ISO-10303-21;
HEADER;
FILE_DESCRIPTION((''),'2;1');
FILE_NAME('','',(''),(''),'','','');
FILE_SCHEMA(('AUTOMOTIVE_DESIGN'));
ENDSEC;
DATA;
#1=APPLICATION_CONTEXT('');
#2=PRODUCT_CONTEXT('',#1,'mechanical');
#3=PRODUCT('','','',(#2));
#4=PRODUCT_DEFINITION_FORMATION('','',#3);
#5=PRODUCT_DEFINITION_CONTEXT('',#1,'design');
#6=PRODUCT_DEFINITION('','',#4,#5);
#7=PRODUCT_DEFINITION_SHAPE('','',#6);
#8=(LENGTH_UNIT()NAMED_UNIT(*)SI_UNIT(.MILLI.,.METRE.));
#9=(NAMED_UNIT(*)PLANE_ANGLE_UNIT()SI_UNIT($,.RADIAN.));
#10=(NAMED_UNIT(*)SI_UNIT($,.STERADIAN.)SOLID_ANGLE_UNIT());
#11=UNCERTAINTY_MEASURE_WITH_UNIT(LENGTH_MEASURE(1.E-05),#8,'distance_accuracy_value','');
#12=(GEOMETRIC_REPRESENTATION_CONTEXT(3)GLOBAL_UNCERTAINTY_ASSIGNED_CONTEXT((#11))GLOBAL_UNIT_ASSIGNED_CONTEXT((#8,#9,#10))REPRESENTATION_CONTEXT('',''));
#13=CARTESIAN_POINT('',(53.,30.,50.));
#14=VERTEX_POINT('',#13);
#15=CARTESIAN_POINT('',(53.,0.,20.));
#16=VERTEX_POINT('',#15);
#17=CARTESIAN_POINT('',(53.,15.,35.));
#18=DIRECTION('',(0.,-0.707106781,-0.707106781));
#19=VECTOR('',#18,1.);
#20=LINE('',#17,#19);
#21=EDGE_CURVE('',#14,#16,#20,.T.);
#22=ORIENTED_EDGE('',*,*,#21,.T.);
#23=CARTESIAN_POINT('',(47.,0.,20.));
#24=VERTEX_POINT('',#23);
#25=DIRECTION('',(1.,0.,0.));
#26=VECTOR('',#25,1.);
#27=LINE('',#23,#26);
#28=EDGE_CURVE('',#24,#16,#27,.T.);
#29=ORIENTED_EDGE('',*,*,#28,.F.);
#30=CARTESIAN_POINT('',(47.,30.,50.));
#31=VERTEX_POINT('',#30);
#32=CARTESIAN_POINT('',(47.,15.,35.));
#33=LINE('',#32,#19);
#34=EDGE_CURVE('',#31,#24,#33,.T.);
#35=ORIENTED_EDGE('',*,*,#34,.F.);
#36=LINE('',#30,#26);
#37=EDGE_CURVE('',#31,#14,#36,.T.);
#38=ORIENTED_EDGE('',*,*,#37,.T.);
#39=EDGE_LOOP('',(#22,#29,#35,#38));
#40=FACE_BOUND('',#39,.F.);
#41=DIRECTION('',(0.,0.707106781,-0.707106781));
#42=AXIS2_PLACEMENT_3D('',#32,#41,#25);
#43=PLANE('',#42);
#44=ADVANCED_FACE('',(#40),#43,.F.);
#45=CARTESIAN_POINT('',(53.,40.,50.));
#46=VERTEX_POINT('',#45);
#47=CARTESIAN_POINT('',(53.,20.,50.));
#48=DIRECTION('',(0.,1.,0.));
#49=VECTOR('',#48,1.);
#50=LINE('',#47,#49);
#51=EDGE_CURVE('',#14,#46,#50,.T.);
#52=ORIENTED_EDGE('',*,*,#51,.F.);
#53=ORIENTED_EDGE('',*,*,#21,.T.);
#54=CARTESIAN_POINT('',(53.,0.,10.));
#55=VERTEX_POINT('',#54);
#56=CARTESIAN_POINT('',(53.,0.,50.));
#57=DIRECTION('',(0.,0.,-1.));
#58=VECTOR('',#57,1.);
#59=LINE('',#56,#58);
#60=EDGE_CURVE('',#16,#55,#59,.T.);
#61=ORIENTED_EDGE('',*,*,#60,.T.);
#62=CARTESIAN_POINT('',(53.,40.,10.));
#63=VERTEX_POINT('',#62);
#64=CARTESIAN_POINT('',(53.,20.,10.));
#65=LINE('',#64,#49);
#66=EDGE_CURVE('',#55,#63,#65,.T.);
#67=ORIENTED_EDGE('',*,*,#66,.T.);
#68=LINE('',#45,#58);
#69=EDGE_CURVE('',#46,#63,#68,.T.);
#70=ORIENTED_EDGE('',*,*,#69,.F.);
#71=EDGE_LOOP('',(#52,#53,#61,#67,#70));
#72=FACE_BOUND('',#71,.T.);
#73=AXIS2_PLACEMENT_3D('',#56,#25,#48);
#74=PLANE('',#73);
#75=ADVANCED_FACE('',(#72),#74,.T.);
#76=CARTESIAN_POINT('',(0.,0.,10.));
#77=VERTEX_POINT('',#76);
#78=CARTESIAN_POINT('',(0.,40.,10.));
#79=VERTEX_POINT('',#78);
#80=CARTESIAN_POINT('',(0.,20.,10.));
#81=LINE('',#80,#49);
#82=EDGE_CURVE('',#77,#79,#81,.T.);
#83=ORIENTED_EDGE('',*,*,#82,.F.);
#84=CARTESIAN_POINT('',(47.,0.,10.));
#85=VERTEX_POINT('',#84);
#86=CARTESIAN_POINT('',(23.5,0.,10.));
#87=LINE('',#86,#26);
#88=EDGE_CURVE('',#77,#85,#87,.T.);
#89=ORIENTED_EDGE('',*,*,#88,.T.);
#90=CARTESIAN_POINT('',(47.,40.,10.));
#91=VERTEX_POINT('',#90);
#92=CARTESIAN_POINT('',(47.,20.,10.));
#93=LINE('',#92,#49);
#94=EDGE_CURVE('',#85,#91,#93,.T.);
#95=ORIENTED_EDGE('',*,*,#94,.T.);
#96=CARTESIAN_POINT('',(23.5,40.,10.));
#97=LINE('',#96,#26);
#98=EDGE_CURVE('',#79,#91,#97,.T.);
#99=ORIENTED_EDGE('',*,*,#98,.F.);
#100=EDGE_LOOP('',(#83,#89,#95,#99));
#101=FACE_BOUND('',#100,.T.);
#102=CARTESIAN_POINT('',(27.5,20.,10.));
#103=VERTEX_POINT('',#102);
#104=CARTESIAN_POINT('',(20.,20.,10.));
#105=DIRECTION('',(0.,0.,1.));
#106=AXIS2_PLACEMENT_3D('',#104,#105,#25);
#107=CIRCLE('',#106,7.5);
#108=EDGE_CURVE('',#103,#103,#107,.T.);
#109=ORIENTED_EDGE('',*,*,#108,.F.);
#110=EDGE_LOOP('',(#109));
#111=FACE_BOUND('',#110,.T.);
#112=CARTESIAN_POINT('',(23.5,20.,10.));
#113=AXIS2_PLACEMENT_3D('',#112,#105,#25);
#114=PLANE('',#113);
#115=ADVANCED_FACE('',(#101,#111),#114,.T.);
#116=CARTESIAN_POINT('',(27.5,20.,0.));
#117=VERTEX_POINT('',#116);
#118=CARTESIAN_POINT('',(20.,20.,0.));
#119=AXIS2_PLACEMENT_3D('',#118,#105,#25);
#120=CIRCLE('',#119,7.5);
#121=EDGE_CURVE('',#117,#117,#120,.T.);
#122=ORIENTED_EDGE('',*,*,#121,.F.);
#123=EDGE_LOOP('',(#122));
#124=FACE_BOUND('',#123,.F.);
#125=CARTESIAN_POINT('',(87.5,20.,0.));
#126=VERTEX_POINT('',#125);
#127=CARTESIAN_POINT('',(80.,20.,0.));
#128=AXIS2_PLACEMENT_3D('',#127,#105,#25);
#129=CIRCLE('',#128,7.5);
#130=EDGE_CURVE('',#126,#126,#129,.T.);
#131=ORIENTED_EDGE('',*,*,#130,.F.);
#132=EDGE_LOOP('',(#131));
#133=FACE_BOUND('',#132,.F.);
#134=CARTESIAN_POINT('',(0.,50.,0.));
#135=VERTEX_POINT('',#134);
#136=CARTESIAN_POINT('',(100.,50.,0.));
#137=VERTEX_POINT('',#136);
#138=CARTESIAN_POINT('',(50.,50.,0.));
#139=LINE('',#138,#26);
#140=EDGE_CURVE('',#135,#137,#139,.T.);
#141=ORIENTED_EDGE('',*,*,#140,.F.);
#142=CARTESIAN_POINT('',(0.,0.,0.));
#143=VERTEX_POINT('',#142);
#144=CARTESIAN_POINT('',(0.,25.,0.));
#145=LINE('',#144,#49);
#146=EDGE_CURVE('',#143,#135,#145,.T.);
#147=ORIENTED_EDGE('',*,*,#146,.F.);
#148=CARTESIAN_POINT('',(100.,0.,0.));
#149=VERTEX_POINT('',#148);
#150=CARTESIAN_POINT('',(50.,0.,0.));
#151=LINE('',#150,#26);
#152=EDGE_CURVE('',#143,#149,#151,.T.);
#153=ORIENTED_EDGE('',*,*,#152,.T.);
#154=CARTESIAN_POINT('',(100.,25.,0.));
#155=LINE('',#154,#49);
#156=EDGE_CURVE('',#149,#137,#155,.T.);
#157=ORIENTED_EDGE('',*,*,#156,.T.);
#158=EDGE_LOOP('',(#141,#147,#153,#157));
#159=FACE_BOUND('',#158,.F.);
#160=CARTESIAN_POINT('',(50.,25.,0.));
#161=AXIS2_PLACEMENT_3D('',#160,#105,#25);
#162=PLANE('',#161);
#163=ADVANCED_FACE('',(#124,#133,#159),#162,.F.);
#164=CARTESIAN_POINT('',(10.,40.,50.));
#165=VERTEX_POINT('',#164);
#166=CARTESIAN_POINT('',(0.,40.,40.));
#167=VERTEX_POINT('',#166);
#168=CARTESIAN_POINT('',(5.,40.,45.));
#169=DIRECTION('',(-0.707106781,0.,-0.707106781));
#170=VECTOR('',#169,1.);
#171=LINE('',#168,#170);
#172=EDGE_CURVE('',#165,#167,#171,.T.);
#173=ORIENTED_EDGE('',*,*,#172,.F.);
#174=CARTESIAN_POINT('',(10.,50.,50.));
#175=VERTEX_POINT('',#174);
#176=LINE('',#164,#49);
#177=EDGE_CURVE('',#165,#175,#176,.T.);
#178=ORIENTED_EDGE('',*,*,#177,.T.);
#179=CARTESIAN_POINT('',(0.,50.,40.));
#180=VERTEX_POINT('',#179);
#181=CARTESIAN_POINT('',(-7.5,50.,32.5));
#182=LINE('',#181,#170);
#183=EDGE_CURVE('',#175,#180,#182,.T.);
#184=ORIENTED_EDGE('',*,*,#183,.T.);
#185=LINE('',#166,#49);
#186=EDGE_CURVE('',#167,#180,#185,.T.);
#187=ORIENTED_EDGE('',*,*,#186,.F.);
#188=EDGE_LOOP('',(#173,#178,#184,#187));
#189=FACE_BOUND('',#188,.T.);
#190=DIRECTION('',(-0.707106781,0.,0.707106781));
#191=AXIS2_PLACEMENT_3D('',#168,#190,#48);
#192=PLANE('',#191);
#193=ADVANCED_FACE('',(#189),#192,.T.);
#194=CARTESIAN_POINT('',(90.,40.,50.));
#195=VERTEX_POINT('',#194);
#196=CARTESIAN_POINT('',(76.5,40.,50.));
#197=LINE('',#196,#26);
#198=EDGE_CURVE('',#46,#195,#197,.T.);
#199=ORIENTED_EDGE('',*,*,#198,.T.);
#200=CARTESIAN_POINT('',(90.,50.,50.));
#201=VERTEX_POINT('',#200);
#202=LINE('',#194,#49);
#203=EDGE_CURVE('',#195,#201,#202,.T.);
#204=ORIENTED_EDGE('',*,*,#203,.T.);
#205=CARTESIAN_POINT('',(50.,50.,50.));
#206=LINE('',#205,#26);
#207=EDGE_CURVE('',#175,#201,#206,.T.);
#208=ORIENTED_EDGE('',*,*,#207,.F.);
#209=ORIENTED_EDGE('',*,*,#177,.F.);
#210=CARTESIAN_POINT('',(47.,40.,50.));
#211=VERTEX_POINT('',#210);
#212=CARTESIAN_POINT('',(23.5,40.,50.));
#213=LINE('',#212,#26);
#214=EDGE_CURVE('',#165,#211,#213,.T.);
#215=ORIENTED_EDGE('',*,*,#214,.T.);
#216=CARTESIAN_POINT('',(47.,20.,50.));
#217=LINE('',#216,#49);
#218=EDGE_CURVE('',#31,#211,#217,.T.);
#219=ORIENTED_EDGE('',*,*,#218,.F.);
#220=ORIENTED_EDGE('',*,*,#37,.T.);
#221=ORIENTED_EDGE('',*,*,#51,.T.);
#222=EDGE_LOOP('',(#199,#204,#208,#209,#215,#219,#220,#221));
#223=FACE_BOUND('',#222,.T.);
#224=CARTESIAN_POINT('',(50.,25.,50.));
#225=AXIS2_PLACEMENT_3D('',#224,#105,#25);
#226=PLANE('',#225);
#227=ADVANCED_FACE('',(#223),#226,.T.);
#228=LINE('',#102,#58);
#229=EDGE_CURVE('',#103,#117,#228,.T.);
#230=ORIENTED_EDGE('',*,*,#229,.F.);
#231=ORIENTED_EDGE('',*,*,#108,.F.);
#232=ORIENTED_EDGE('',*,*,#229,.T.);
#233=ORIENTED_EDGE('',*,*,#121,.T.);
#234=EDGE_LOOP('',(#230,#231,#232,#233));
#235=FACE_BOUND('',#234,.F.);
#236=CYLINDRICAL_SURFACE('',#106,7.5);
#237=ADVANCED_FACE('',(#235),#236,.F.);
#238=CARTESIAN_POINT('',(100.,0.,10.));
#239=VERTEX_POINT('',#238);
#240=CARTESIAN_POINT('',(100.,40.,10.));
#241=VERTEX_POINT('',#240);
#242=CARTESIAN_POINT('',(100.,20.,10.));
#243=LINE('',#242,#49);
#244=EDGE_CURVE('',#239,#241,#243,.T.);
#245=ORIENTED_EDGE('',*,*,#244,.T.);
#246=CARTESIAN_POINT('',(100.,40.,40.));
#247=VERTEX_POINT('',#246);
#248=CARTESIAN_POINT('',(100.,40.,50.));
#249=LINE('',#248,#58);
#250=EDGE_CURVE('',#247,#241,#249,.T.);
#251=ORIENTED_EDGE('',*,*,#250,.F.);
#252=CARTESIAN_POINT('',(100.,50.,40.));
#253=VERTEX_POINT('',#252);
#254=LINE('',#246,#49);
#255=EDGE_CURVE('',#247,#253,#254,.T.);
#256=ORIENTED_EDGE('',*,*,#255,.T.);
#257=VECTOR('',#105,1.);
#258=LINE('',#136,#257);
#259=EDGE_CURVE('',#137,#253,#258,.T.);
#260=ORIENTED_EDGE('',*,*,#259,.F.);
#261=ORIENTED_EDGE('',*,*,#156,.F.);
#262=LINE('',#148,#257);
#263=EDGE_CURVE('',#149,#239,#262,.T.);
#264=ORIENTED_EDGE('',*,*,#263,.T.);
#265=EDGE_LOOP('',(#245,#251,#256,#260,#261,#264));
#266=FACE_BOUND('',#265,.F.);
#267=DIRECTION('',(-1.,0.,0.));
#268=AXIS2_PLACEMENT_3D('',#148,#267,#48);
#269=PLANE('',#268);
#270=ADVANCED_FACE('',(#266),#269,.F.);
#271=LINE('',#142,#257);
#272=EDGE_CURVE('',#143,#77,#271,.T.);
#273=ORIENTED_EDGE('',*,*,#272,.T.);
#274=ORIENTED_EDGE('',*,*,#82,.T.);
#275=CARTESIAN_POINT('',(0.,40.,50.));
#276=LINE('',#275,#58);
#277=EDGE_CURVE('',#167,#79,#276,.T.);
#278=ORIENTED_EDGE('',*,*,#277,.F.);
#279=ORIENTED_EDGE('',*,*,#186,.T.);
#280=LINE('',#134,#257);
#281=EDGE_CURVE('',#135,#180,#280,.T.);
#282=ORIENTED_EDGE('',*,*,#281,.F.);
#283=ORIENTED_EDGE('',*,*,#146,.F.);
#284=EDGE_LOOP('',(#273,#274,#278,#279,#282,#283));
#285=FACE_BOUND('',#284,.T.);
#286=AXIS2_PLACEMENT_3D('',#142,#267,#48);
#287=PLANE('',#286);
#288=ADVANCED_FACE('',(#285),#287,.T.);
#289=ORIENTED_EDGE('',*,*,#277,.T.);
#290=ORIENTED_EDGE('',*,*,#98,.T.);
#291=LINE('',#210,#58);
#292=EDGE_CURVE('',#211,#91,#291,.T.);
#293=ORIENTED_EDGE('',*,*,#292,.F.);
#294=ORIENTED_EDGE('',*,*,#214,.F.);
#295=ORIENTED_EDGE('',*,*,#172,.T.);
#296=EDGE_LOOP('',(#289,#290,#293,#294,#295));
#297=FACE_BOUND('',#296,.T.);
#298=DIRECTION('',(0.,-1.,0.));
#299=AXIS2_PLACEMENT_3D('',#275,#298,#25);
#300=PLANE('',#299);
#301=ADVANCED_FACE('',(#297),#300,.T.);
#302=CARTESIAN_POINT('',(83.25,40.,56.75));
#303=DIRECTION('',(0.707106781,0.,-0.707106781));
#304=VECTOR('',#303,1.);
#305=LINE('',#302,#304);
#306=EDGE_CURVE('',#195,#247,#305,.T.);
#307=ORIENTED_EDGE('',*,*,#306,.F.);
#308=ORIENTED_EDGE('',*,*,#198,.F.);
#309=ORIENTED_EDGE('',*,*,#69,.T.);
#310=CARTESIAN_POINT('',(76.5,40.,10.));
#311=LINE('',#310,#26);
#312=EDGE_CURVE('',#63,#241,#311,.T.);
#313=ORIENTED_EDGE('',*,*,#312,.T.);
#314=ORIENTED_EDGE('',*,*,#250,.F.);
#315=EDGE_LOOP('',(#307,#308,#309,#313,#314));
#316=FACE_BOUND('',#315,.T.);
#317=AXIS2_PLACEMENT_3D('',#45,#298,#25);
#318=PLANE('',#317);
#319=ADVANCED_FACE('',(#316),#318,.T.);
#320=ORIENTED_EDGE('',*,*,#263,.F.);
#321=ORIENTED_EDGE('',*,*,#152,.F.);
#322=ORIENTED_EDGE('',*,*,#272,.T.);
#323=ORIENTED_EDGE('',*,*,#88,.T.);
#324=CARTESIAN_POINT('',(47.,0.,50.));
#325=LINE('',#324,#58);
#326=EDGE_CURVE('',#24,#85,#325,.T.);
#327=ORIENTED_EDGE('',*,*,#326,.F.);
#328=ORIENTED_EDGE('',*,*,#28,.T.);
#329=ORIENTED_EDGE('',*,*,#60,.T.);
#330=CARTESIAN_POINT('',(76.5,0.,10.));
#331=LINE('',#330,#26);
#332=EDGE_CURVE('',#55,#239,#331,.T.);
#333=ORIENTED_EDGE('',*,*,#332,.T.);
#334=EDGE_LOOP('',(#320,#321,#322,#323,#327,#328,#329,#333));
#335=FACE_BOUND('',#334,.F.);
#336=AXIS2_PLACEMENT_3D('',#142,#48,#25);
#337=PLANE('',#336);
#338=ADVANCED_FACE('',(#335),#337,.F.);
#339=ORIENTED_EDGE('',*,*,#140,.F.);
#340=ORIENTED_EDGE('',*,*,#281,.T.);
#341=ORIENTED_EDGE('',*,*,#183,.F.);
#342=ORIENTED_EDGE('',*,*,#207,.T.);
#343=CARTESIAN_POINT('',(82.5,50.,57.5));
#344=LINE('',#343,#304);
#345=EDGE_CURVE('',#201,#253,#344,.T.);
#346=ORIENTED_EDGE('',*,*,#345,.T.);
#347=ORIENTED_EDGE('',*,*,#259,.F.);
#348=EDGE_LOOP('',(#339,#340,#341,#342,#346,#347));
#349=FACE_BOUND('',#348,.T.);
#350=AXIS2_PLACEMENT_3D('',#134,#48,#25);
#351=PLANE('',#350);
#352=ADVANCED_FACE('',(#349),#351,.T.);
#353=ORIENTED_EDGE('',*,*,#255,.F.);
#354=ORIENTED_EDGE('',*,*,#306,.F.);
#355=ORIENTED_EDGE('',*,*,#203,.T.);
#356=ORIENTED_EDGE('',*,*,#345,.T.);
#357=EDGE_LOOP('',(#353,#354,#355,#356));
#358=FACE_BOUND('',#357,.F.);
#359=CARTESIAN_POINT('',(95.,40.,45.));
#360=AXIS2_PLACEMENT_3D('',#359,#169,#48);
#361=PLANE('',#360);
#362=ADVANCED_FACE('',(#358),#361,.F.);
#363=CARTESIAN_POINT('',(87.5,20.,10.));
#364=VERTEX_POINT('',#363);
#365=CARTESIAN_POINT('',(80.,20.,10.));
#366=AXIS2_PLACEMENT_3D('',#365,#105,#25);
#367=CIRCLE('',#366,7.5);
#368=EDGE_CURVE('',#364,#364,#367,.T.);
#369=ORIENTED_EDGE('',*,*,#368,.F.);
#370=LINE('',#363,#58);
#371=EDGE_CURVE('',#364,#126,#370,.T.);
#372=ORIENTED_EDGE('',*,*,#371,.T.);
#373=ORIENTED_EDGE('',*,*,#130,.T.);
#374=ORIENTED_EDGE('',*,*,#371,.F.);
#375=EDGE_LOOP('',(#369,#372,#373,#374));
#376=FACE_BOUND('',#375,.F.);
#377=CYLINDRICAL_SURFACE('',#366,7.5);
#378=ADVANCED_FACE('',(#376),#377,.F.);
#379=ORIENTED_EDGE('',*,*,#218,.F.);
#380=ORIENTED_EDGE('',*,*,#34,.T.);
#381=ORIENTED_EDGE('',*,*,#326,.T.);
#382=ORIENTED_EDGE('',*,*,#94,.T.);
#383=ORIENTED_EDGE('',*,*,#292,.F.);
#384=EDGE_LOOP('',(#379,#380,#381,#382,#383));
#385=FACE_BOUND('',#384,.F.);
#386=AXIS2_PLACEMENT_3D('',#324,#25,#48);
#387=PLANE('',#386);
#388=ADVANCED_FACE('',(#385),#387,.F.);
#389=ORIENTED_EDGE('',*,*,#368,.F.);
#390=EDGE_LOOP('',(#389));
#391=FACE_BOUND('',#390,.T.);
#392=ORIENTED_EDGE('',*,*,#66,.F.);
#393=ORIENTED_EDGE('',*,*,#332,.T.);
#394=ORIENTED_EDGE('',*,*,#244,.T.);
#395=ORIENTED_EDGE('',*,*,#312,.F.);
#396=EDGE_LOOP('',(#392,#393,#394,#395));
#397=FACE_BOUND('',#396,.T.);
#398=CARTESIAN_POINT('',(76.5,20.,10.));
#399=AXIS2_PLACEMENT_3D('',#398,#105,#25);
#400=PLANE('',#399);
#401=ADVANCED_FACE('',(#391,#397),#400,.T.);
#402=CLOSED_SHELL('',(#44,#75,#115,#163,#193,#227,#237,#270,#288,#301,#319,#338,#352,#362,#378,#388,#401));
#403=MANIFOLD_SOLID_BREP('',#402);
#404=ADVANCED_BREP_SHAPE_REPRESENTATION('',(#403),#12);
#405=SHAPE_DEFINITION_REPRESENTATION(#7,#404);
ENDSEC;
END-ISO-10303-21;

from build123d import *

# Parameters (mm, degrees)
F0_W      = 100
F0_H      = 50
F1_DEPTH  = 50
F2_W      = 47
F2_H      = 40
F3_DEPTH  = 40
F4_W      = 47
F4_H      = 40
F5_DEPTH  = 40
F6_SIZE   = 30
F7_R      = 7.5
F8_DEPTH  = 10
F9_R      = 7.5
F10_DEPTH = 10
F11_SIZE  = 10


with BuildPart() as f1:
    # F0 (on Top) → F1 (new body)
    with BuildSketch(Plane.XY):
        with Locations((50, 25)):
            Rectangle(F0_W, F0_H)
    extrude(amount=F1_DEPTH)

    # F2 (on face) → F3 (cut)
    with BuildSketch(Plane.XY.offset(50)):
        with Locations((23.5, 20)):
            Rectangle(F2_W, F2_H)
    extrude(amount=-F3_DEPTH, mode=Mode.SUBTRACT)

    # F4 (on face) → F5 (cut)
    with BuildSketch(Plane.XY.offset(50)):
        with Locations((76.5, 20)):
            Rectangle(F4_W, F4_H)
    extrude(amount=-F5_DEPTH, mode=Mode.SUBTRACT)

    # F6
    f6_edges = [f1.edges().sort_by_distance(p)[0] for p in [
        (50, 0, 50),
    ]]
    chamfer(f6_edges, length=F6_SIZE)

    # F7 (on face) → F8 (cut)
    with BuildSketch(Plane.XY.offset(10)):
        with Locations((20, 20)):
            Circle(F7_R)
    extrude(amount=-F8_DEPTH, mode=Mode.SUBTRACT)

    # F9 (on face) → F10 (cut)
    with BuildSketch(Plane.XY.offset(10)):
        with Locations((80, 20)):
            Circle(F9_R)
    extrude(amount=-F10_DEPTH, mode=Mode.SUBTRACT)

    # F11
    f11_edges = [f1.edges().sort_by_distance(p)[0] for p in [
        (0, 45, 50),
        (100, 45, 50),
    ]]
    chamfer(f11_edges, length=F11_SIZE)


solid = f1.part
